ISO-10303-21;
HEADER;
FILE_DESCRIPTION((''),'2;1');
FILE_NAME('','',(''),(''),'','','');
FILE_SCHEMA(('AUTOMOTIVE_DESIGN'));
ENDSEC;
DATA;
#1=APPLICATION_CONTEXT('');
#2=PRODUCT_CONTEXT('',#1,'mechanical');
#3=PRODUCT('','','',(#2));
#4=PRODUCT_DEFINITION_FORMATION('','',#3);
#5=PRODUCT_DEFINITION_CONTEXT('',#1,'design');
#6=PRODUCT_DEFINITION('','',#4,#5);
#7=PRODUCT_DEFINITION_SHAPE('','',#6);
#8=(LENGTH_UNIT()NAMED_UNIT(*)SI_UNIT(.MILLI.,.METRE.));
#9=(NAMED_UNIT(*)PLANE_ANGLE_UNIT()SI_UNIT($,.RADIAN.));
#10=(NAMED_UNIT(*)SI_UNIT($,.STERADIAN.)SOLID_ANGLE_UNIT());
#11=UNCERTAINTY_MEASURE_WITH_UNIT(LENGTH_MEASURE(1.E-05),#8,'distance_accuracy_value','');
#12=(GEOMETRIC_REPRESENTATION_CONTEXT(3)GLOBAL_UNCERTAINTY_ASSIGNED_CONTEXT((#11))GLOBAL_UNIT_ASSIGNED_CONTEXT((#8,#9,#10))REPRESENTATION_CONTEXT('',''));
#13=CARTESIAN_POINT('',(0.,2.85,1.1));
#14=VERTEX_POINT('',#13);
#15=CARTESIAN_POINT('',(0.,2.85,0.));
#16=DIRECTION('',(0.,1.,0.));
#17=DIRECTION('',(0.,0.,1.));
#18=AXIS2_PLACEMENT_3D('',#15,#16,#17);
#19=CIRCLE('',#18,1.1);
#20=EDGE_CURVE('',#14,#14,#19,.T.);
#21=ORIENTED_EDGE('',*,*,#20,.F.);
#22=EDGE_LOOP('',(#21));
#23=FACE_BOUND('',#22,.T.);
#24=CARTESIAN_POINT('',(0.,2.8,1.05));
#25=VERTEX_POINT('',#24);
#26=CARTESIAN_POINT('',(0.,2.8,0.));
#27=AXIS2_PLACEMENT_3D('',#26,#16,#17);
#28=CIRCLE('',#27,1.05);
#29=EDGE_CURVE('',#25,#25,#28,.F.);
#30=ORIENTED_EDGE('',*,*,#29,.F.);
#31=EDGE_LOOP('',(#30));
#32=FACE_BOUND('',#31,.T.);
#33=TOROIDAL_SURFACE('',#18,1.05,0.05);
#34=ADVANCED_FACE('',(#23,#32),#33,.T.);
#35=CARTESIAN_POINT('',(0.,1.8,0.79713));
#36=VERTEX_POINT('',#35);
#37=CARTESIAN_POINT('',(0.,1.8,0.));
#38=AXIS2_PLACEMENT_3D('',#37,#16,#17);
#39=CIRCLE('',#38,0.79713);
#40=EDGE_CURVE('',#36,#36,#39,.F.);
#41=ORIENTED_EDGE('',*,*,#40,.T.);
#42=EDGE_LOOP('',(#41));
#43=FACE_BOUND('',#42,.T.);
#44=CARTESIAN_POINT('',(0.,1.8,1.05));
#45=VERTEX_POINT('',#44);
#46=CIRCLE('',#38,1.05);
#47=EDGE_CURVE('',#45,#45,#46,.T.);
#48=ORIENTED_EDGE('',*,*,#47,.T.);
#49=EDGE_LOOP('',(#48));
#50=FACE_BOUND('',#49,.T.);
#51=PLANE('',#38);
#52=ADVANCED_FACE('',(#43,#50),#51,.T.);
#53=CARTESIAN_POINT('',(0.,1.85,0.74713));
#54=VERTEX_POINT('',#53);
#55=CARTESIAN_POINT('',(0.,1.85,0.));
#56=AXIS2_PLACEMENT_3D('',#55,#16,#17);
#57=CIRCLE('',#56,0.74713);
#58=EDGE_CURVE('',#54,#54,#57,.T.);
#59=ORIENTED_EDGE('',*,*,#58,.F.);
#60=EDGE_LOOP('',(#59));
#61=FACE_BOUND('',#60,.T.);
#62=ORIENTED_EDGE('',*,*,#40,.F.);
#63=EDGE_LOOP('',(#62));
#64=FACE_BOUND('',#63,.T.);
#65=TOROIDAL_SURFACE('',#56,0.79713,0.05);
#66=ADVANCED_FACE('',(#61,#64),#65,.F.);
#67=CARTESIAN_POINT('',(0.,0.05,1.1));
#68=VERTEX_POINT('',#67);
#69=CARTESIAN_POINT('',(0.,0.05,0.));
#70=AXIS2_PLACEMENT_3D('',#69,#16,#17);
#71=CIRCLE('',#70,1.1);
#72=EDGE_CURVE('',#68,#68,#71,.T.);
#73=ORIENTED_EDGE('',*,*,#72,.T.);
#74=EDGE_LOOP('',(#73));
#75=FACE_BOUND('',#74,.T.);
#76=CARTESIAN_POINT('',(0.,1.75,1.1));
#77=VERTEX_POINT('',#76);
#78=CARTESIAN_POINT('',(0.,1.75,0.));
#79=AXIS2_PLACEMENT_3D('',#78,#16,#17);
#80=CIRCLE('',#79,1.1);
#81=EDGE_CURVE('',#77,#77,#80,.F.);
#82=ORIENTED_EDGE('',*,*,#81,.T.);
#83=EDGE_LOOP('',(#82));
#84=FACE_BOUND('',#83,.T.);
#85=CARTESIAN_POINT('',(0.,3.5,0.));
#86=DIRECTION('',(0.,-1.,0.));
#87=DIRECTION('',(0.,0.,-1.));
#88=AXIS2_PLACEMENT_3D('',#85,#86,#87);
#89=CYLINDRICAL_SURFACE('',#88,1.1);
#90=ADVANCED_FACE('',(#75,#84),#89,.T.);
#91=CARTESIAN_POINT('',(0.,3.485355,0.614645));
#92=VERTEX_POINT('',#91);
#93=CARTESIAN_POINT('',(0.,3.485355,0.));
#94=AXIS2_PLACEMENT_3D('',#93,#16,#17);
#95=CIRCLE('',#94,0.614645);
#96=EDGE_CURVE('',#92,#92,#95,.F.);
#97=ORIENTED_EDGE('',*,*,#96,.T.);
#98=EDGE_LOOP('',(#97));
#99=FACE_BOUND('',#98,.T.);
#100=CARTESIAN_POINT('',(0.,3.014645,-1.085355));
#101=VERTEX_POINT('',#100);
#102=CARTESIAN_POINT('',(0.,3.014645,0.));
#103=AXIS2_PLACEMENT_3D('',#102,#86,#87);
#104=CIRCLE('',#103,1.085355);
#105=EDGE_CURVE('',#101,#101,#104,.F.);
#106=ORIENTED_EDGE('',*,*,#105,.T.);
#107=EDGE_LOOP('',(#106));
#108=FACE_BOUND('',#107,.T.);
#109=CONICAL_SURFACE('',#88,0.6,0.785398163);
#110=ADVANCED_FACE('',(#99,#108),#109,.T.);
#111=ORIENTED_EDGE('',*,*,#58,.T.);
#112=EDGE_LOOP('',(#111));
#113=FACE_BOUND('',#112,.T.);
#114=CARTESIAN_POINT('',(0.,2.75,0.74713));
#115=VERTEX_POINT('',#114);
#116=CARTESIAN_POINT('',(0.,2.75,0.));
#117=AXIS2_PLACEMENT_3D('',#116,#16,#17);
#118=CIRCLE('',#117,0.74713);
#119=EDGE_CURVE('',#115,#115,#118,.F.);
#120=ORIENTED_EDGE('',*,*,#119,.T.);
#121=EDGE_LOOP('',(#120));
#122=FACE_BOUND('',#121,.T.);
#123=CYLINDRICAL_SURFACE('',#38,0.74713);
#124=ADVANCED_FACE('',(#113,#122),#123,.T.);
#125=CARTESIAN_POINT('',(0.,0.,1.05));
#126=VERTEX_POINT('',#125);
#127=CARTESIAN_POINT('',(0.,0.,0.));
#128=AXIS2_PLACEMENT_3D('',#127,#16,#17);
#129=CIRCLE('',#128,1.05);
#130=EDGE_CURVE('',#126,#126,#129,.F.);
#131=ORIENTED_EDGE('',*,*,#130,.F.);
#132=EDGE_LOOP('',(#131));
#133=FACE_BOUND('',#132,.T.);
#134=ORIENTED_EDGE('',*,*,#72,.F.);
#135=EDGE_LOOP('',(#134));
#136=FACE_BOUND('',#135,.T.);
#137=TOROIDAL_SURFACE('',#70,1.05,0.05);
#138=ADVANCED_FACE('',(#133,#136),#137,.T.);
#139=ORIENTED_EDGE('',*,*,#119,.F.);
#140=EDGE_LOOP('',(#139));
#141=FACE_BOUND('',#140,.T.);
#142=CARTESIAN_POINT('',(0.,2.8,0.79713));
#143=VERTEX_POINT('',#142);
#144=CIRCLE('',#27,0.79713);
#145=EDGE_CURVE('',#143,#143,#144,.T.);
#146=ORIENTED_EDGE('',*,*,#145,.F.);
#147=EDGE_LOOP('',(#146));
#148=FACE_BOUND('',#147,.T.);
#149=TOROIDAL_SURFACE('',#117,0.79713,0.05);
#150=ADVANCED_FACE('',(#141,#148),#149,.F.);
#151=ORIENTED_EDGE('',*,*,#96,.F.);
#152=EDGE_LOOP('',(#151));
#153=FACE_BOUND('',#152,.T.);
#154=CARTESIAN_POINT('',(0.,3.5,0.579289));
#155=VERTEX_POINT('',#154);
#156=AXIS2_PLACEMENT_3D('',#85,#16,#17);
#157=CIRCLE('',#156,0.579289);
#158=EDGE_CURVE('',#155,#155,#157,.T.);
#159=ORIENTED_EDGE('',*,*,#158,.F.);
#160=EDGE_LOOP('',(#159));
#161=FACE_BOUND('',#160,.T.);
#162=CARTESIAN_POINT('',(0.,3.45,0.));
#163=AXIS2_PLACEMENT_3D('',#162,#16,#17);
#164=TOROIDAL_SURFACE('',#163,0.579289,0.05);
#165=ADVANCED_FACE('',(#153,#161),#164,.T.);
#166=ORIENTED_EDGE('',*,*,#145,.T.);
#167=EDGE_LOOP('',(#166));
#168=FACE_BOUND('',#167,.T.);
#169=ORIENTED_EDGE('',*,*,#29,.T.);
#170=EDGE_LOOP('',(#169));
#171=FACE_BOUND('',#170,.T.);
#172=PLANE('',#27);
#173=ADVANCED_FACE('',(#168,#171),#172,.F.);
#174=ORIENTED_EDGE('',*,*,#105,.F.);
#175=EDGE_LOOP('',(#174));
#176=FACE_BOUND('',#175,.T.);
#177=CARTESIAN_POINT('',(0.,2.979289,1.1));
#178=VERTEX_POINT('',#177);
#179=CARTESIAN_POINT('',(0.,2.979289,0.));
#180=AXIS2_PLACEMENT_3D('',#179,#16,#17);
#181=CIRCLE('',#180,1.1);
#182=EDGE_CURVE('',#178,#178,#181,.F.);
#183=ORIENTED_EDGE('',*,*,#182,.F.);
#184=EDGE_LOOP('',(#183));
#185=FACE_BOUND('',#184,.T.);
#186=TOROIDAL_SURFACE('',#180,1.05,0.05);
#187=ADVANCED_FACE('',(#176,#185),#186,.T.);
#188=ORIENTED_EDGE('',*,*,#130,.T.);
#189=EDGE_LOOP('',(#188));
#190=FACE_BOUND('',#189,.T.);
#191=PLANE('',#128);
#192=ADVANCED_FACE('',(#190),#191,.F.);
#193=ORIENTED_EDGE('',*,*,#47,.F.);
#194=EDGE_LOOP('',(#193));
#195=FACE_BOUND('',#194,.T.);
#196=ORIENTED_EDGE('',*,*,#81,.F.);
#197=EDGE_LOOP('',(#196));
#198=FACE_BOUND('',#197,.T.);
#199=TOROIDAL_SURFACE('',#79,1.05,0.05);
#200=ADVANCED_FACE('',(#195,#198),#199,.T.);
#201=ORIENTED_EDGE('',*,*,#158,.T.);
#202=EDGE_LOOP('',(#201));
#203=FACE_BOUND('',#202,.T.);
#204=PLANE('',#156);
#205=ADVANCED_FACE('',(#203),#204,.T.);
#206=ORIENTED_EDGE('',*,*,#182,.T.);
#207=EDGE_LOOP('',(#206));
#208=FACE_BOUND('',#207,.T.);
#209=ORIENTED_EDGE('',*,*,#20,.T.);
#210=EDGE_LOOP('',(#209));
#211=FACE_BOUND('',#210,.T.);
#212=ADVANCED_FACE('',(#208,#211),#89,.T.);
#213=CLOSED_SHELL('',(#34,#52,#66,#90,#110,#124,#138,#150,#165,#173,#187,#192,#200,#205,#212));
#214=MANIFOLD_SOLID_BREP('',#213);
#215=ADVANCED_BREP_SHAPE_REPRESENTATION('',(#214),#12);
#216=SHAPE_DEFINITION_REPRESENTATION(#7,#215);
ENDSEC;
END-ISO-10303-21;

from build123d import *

# Parameters (mm, degrees)
SKETCH1_R           = 1.1
BOSS_EXTRUDE1_DEPTH = 3.5
CHAMFER1_SIZE       = 0.5
CUT_EXTRUDE1_START  = -0.7
SKETCH2_R           = 1.396092668
SKETCH2_R_2         = 0.747130163
CUT_EXTRUDE1_DEPTH  = 1
FILLET1_R           = 0.05


with BuildPart() as part:
    # Sketch1 → Boss-Extrude1 (new body)
    with BuildSketch(Plane(origin=(0, 0, 0), x_dir=(1, 0, 0), z_dir=(0, 1, 0))):
        Circle(SKETCH1_R)
    extrude(amount=BOSS_EXTRUDE1_DEPTH)

    # Chamfer1
    chamfer1_edges = [part.edges().sort_by_distance(p)[0] for p in [
        (-1.1, 3.5, 0),
    ]]
    chamfer(chamfer1_edges, length=CHAMFER1_SIZE)

    # Sketch2 → Cut-Extrude1 (cut)
    with BuildSketch(Plane(origin=(0, 3.5, 0), x_dir=(1, 0, 0), z_dir=(0, 1, 0)).offset(CUT_EXTRUDE1_START)):
        Circle(SKETCH2_R)
        Circle(SKETCH2_R_2, mode=Mode.SUBTRACT)
    extrude(amount=-CUT_EXTRUDE1_DEPTH, mode=Mode.SUBTRACT)

    # Fillet1
    fillet1_edges = [part.edges().sort_by_distance(p)[0] for p in [
        (-1.1, 2.8, 0),
        (-1.1, 1.8, 0),
        (-0.747130163, 2.8, 0),
        (-1.1, 0, 0),
        (-0.6, 3.5, 0),
        (-1.1, 3, 0),
        (-0.747130163, 1.8, 0),
    ]]
    fillet(fillet1_edges, radius=FILLET1_R)


solid = part.part
